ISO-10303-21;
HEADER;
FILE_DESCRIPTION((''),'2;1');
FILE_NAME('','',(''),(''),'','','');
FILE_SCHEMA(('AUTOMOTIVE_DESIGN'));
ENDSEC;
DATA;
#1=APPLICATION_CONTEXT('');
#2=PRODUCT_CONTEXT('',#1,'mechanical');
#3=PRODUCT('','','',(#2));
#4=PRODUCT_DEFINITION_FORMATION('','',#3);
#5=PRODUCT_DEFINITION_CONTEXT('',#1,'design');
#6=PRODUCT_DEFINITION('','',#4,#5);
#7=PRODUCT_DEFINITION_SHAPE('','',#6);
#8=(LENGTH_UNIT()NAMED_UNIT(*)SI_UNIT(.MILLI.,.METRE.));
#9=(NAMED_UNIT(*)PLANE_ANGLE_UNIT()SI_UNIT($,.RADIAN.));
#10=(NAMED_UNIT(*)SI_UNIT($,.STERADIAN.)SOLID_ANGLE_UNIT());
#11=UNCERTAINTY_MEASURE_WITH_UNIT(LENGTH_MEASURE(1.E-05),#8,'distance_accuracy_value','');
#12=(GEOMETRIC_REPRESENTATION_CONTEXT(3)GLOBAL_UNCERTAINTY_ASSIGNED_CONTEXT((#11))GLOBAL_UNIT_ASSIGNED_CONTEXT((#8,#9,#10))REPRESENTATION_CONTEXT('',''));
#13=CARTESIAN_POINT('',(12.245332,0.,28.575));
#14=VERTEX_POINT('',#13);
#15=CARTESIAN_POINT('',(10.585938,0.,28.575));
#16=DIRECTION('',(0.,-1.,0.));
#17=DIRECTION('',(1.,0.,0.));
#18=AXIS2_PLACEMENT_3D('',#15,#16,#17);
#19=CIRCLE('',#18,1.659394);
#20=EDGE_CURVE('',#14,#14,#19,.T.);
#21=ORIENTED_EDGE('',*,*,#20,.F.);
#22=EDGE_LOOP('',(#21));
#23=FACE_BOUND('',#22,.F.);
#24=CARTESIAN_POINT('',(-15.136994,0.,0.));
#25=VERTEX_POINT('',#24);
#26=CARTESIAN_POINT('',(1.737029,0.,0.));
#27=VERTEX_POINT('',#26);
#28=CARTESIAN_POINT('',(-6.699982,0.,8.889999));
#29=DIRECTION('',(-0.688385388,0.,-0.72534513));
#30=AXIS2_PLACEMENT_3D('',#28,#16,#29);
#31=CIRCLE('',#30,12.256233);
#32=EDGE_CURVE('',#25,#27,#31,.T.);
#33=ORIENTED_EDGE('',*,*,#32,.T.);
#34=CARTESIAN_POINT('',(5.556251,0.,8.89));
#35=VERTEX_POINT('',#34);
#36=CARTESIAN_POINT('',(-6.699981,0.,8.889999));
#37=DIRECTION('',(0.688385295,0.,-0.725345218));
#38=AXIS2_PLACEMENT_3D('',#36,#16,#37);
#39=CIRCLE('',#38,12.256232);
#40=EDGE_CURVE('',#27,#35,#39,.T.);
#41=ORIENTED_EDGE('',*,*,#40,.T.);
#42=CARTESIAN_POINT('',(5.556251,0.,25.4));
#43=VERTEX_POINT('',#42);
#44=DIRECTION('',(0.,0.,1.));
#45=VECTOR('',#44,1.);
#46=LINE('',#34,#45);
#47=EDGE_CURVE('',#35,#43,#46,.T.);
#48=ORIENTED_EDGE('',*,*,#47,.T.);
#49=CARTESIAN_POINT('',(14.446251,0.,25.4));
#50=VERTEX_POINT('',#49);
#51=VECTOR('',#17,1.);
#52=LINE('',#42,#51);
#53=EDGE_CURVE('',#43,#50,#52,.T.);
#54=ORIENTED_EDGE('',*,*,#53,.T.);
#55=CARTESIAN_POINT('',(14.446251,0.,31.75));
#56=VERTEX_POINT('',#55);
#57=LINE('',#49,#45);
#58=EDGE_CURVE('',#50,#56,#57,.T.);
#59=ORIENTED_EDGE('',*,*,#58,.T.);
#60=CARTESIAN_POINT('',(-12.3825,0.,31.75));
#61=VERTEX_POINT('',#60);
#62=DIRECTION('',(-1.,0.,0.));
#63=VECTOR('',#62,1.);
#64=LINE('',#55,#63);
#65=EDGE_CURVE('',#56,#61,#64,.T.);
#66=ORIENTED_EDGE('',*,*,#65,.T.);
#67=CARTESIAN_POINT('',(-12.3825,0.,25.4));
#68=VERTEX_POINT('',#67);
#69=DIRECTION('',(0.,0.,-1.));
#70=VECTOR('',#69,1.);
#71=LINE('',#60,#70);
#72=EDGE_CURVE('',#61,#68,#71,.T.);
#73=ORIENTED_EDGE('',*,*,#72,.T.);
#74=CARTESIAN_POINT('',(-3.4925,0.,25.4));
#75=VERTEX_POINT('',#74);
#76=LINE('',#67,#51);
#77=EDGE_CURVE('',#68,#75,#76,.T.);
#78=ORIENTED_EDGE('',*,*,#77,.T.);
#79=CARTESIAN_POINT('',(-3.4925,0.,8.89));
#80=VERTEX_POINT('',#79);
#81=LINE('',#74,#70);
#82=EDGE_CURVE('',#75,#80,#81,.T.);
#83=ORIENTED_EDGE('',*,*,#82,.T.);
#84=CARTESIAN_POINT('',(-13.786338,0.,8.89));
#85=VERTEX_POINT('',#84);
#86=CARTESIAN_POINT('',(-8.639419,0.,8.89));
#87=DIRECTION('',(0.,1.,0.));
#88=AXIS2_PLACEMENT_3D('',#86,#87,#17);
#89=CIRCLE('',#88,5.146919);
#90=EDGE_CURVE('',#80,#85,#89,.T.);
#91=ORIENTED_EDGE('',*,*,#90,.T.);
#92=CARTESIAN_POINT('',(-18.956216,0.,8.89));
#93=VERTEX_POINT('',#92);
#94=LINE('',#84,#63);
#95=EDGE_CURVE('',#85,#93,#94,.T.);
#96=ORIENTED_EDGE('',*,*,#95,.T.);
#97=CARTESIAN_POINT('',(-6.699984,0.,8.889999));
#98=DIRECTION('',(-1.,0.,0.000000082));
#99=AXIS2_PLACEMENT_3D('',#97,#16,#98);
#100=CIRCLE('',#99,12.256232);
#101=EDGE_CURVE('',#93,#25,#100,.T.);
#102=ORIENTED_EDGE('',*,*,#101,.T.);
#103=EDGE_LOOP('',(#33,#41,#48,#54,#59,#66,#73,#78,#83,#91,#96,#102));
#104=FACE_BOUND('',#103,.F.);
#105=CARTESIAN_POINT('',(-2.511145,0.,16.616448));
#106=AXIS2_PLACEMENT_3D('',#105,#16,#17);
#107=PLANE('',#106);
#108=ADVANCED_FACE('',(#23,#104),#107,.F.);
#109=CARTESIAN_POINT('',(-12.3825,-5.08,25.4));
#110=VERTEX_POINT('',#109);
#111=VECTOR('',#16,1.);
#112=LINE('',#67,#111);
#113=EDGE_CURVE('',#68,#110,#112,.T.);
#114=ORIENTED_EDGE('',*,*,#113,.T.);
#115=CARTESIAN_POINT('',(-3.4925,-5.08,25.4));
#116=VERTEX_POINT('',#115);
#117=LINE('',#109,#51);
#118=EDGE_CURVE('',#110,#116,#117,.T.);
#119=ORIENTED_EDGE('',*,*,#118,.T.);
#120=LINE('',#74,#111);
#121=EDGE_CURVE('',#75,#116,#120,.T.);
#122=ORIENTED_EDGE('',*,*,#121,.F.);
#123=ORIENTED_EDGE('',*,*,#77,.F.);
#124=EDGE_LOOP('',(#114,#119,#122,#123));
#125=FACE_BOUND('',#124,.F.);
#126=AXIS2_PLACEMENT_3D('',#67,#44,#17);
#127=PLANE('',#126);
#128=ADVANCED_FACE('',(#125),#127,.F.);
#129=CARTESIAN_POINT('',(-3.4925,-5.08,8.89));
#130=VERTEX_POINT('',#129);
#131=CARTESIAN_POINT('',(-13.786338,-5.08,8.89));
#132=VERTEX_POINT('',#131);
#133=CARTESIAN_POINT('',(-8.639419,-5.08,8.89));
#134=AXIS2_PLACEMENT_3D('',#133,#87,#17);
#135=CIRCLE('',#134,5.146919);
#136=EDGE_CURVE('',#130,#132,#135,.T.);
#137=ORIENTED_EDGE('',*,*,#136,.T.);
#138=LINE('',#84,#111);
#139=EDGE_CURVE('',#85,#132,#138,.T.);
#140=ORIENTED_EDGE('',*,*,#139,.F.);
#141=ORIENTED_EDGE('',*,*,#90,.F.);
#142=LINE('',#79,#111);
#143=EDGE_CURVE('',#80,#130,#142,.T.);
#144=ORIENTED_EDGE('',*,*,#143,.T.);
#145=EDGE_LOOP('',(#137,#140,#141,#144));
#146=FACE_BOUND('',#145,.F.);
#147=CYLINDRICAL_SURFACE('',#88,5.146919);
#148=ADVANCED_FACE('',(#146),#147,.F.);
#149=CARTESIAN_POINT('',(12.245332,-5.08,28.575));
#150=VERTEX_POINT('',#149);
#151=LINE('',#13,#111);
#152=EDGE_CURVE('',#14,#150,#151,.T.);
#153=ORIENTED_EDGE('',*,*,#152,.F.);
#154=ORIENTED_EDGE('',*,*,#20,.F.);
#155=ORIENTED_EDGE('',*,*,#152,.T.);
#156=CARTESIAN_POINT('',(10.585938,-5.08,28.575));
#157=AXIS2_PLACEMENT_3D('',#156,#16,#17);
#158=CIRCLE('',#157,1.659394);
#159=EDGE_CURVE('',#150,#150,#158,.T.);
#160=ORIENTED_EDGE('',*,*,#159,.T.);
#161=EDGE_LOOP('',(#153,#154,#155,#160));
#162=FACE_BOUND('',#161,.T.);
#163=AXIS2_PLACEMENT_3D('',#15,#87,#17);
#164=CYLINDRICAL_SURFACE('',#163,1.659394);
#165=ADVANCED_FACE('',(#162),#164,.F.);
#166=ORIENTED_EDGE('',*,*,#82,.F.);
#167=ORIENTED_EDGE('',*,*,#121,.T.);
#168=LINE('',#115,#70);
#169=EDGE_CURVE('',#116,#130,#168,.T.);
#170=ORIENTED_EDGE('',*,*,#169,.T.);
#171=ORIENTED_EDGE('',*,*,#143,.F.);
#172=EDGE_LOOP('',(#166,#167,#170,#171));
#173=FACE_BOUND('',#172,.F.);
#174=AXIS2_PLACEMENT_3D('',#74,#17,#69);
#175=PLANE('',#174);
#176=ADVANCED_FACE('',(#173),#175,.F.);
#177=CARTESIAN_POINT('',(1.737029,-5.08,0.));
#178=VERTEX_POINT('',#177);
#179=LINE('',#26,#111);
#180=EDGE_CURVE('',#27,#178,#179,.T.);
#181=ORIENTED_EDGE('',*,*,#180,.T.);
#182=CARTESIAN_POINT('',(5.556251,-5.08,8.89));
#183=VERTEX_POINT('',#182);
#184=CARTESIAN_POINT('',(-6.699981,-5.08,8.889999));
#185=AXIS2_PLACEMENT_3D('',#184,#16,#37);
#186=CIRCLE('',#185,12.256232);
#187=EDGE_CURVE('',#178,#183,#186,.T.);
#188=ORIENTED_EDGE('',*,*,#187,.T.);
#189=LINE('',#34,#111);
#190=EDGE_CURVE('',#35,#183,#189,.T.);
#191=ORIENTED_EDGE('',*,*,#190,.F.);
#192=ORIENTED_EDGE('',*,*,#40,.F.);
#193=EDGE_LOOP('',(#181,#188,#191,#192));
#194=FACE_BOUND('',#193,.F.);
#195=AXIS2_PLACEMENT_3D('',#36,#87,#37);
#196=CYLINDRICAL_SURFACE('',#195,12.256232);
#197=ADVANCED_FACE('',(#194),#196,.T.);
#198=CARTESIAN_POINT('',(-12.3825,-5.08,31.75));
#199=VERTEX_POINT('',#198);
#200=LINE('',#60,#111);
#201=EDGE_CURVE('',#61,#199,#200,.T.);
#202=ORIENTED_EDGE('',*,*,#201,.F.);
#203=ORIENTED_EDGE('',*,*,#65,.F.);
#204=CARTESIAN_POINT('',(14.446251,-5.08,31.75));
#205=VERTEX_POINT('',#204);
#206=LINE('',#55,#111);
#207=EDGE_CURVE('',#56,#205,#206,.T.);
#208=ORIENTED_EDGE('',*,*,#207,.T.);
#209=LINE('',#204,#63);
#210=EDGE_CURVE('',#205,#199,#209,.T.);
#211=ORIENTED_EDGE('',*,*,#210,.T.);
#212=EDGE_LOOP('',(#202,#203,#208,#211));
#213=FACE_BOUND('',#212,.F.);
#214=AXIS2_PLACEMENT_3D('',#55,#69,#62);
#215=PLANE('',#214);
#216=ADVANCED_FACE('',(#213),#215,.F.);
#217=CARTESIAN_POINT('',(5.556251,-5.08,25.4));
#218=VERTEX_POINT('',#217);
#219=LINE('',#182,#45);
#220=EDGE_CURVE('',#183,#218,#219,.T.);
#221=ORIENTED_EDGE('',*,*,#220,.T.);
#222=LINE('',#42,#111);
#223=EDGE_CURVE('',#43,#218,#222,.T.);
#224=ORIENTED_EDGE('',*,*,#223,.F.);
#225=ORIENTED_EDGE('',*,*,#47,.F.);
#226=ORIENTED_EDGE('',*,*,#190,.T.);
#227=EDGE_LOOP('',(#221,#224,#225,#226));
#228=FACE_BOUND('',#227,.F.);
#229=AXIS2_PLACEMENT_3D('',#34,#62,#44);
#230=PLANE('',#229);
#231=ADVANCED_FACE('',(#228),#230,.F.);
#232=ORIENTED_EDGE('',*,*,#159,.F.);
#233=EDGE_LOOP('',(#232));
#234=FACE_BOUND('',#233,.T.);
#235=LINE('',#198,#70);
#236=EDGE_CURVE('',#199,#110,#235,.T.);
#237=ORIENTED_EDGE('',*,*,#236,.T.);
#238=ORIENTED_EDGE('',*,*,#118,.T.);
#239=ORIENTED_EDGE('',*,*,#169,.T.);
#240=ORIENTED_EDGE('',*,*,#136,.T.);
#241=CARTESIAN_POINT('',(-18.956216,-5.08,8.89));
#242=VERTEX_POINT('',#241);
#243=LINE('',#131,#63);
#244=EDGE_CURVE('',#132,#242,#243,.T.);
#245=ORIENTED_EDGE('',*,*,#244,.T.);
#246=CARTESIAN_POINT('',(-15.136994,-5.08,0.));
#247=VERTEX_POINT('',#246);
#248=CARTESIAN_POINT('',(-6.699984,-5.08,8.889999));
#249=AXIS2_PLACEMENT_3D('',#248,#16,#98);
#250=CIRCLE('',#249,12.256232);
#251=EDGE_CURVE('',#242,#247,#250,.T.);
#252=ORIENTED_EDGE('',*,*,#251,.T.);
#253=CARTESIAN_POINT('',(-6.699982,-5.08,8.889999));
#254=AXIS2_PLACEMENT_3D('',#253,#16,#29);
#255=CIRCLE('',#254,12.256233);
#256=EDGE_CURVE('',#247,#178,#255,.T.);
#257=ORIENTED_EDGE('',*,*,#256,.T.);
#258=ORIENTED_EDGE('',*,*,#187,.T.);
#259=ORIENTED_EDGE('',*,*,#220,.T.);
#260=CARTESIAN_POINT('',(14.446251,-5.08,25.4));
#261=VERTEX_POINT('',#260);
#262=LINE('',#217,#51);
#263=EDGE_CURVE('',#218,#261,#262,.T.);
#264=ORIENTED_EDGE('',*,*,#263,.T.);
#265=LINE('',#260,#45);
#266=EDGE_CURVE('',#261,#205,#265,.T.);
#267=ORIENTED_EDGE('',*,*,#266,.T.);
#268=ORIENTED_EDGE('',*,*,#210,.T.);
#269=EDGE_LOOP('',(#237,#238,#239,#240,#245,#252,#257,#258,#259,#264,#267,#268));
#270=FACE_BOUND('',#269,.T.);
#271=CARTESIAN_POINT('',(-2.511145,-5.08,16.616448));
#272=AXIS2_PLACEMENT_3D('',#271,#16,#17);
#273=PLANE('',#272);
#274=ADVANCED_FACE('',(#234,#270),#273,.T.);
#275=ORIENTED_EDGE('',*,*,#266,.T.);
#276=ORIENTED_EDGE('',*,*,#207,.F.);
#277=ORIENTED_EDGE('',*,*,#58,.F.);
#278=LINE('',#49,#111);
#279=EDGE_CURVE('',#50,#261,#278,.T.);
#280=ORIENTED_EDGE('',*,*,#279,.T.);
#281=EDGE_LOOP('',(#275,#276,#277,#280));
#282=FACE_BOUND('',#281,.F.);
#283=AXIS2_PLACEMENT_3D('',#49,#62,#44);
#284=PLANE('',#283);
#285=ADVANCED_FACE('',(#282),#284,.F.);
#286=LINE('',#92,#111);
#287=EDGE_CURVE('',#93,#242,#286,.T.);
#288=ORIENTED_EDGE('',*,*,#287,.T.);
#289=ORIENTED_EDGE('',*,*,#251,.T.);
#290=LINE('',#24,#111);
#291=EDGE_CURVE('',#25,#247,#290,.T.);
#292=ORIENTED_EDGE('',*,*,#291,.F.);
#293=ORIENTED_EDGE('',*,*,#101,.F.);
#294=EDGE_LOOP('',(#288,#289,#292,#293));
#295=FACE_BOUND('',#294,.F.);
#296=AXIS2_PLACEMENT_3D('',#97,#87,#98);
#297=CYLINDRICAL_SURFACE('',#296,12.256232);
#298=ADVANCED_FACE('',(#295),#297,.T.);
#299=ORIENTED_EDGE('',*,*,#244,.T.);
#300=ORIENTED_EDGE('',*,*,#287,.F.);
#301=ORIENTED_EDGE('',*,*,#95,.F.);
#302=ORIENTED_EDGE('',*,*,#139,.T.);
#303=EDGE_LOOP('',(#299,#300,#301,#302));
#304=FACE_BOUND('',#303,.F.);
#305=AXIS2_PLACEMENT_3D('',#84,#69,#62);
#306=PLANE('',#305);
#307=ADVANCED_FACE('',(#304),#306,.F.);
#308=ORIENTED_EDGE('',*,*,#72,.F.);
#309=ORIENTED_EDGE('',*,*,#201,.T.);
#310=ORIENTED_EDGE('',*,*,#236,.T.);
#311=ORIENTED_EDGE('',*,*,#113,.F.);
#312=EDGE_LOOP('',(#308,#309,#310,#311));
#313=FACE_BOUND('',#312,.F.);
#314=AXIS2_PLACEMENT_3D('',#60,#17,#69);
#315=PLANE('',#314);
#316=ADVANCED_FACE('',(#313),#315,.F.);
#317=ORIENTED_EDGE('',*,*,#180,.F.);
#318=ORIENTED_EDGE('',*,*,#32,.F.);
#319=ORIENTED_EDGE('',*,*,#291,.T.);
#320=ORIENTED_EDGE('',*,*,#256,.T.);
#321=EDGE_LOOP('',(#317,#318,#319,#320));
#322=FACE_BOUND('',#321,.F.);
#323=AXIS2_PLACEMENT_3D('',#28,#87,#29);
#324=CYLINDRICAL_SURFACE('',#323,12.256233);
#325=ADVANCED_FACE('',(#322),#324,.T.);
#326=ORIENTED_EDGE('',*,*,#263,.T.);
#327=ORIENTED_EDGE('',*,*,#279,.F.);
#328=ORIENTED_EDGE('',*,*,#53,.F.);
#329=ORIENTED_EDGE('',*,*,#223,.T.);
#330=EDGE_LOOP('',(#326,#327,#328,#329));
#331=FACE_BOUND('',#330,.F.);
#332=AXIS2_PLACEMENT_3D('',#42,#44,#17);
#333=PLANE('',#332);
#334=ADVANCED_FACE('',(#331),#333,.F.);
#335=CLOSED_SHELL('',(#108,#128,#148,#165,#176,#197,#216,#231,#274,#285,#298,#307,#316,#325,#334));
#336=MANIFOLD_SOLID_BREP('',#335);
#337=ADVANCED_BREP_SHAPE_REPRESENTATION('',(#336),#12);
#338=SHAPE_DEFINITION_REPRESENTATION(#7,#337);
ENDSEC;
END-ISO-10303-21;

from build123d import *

# Parameters (mm, degrees)
F0_R     = 1.659394
F1_DEPTH = 5.08
F2_DEPTH = 5.08


with BuildPart() as f1:
    # F0 (on Front) → F1 (new body)
    with BuildSketch(Plane.XZ):
        with BuildLine():
            ThreePointArc((-18.956216, 8.89), (-17.961005, 4.052166), (-15.136994, 0))
            Line((-15.136994, 0), (1.737029, 0))
            ThreePointArc((1.737029, 0), (4.56104, 4.052166), (5.556251, 8.89))
            Line((5.556251, 8.89), (5.556251, 25.4))
            Line((5.556251, 25.4), (14.446251, 25.4))
            Line((14.446251, 25.4), (14.446251, 31.75))
            Line((14.446251, 31.75), (-12.3825, 31.75))
            Line((-12.3825, 31.75), (-12.3825, 25.4))
            Line((-12.3825, 25.4), (-3.4925, 25.4))
            Line((-3.4925, 25.4), (-3.4925, 8.89))
            ThreePointArc((-3.4925, 8.89), (-8.639419, 3.743081), (-13.786338, 8.89))
            Line((-13.786338, 8.89), (-18.956216, 8.89))
        make_face()
        with Locations((10.585938, 28.575)):
            Circle(F0_R, mode=Mode.SUBTRACT)
    extrude(amount=F1_DEPTH)

    # F0 (on Front) → F2 (join)
    with BuildSketch(Plane.XZ):
        with BuildLine():
            ThreePointArc((-18.956216, 8.89), (-17.961005, 4.052166), (-15.136994, 0))
            Line((-15.136994, 0), (1.737029, 0))
            ThreePointArc((1.737029, 0), (4.56104, 4.052166), (5.556251, 8.89))
            Line((5.556251, 8.89), (5.556251, 25.4))
            Line((5.556251, 25.4), (14.446251, 25.4))
            Line((14.446251, 25.4), (14.446251, 31.75))
            Line((14.446251, 31.75), (-12.3825, 31.75))
            Line((-12.3825, 31.75), (-12.3825, 25.4))
            Line((-12.3825, 25.4), (-3.4925, 25.4))
            Line((-3.4925, 25.4), (-3.4925, 8.89))
            ThreePointArc((-3.4925, 8.89), (-8.639419, 3.743081), (-13.786338, 8.89))
            Line((-13.786338, 8.89), (-18.956216, 8.89))
        make_face()
        with Locations((10.585938, 28.575)):
            Circle(F0_R, mode=Mode.SUBTRACT)
        with BuildLine():
            Line((1.737029, 0), (-15.136994, 0))
            ThreePointArc((-15.136994, 0), (-6.699983, -3.366234), (1.737029, 0))
        make_face()
    extrude(amount=F2_DEPTH)


solid = f1.part
